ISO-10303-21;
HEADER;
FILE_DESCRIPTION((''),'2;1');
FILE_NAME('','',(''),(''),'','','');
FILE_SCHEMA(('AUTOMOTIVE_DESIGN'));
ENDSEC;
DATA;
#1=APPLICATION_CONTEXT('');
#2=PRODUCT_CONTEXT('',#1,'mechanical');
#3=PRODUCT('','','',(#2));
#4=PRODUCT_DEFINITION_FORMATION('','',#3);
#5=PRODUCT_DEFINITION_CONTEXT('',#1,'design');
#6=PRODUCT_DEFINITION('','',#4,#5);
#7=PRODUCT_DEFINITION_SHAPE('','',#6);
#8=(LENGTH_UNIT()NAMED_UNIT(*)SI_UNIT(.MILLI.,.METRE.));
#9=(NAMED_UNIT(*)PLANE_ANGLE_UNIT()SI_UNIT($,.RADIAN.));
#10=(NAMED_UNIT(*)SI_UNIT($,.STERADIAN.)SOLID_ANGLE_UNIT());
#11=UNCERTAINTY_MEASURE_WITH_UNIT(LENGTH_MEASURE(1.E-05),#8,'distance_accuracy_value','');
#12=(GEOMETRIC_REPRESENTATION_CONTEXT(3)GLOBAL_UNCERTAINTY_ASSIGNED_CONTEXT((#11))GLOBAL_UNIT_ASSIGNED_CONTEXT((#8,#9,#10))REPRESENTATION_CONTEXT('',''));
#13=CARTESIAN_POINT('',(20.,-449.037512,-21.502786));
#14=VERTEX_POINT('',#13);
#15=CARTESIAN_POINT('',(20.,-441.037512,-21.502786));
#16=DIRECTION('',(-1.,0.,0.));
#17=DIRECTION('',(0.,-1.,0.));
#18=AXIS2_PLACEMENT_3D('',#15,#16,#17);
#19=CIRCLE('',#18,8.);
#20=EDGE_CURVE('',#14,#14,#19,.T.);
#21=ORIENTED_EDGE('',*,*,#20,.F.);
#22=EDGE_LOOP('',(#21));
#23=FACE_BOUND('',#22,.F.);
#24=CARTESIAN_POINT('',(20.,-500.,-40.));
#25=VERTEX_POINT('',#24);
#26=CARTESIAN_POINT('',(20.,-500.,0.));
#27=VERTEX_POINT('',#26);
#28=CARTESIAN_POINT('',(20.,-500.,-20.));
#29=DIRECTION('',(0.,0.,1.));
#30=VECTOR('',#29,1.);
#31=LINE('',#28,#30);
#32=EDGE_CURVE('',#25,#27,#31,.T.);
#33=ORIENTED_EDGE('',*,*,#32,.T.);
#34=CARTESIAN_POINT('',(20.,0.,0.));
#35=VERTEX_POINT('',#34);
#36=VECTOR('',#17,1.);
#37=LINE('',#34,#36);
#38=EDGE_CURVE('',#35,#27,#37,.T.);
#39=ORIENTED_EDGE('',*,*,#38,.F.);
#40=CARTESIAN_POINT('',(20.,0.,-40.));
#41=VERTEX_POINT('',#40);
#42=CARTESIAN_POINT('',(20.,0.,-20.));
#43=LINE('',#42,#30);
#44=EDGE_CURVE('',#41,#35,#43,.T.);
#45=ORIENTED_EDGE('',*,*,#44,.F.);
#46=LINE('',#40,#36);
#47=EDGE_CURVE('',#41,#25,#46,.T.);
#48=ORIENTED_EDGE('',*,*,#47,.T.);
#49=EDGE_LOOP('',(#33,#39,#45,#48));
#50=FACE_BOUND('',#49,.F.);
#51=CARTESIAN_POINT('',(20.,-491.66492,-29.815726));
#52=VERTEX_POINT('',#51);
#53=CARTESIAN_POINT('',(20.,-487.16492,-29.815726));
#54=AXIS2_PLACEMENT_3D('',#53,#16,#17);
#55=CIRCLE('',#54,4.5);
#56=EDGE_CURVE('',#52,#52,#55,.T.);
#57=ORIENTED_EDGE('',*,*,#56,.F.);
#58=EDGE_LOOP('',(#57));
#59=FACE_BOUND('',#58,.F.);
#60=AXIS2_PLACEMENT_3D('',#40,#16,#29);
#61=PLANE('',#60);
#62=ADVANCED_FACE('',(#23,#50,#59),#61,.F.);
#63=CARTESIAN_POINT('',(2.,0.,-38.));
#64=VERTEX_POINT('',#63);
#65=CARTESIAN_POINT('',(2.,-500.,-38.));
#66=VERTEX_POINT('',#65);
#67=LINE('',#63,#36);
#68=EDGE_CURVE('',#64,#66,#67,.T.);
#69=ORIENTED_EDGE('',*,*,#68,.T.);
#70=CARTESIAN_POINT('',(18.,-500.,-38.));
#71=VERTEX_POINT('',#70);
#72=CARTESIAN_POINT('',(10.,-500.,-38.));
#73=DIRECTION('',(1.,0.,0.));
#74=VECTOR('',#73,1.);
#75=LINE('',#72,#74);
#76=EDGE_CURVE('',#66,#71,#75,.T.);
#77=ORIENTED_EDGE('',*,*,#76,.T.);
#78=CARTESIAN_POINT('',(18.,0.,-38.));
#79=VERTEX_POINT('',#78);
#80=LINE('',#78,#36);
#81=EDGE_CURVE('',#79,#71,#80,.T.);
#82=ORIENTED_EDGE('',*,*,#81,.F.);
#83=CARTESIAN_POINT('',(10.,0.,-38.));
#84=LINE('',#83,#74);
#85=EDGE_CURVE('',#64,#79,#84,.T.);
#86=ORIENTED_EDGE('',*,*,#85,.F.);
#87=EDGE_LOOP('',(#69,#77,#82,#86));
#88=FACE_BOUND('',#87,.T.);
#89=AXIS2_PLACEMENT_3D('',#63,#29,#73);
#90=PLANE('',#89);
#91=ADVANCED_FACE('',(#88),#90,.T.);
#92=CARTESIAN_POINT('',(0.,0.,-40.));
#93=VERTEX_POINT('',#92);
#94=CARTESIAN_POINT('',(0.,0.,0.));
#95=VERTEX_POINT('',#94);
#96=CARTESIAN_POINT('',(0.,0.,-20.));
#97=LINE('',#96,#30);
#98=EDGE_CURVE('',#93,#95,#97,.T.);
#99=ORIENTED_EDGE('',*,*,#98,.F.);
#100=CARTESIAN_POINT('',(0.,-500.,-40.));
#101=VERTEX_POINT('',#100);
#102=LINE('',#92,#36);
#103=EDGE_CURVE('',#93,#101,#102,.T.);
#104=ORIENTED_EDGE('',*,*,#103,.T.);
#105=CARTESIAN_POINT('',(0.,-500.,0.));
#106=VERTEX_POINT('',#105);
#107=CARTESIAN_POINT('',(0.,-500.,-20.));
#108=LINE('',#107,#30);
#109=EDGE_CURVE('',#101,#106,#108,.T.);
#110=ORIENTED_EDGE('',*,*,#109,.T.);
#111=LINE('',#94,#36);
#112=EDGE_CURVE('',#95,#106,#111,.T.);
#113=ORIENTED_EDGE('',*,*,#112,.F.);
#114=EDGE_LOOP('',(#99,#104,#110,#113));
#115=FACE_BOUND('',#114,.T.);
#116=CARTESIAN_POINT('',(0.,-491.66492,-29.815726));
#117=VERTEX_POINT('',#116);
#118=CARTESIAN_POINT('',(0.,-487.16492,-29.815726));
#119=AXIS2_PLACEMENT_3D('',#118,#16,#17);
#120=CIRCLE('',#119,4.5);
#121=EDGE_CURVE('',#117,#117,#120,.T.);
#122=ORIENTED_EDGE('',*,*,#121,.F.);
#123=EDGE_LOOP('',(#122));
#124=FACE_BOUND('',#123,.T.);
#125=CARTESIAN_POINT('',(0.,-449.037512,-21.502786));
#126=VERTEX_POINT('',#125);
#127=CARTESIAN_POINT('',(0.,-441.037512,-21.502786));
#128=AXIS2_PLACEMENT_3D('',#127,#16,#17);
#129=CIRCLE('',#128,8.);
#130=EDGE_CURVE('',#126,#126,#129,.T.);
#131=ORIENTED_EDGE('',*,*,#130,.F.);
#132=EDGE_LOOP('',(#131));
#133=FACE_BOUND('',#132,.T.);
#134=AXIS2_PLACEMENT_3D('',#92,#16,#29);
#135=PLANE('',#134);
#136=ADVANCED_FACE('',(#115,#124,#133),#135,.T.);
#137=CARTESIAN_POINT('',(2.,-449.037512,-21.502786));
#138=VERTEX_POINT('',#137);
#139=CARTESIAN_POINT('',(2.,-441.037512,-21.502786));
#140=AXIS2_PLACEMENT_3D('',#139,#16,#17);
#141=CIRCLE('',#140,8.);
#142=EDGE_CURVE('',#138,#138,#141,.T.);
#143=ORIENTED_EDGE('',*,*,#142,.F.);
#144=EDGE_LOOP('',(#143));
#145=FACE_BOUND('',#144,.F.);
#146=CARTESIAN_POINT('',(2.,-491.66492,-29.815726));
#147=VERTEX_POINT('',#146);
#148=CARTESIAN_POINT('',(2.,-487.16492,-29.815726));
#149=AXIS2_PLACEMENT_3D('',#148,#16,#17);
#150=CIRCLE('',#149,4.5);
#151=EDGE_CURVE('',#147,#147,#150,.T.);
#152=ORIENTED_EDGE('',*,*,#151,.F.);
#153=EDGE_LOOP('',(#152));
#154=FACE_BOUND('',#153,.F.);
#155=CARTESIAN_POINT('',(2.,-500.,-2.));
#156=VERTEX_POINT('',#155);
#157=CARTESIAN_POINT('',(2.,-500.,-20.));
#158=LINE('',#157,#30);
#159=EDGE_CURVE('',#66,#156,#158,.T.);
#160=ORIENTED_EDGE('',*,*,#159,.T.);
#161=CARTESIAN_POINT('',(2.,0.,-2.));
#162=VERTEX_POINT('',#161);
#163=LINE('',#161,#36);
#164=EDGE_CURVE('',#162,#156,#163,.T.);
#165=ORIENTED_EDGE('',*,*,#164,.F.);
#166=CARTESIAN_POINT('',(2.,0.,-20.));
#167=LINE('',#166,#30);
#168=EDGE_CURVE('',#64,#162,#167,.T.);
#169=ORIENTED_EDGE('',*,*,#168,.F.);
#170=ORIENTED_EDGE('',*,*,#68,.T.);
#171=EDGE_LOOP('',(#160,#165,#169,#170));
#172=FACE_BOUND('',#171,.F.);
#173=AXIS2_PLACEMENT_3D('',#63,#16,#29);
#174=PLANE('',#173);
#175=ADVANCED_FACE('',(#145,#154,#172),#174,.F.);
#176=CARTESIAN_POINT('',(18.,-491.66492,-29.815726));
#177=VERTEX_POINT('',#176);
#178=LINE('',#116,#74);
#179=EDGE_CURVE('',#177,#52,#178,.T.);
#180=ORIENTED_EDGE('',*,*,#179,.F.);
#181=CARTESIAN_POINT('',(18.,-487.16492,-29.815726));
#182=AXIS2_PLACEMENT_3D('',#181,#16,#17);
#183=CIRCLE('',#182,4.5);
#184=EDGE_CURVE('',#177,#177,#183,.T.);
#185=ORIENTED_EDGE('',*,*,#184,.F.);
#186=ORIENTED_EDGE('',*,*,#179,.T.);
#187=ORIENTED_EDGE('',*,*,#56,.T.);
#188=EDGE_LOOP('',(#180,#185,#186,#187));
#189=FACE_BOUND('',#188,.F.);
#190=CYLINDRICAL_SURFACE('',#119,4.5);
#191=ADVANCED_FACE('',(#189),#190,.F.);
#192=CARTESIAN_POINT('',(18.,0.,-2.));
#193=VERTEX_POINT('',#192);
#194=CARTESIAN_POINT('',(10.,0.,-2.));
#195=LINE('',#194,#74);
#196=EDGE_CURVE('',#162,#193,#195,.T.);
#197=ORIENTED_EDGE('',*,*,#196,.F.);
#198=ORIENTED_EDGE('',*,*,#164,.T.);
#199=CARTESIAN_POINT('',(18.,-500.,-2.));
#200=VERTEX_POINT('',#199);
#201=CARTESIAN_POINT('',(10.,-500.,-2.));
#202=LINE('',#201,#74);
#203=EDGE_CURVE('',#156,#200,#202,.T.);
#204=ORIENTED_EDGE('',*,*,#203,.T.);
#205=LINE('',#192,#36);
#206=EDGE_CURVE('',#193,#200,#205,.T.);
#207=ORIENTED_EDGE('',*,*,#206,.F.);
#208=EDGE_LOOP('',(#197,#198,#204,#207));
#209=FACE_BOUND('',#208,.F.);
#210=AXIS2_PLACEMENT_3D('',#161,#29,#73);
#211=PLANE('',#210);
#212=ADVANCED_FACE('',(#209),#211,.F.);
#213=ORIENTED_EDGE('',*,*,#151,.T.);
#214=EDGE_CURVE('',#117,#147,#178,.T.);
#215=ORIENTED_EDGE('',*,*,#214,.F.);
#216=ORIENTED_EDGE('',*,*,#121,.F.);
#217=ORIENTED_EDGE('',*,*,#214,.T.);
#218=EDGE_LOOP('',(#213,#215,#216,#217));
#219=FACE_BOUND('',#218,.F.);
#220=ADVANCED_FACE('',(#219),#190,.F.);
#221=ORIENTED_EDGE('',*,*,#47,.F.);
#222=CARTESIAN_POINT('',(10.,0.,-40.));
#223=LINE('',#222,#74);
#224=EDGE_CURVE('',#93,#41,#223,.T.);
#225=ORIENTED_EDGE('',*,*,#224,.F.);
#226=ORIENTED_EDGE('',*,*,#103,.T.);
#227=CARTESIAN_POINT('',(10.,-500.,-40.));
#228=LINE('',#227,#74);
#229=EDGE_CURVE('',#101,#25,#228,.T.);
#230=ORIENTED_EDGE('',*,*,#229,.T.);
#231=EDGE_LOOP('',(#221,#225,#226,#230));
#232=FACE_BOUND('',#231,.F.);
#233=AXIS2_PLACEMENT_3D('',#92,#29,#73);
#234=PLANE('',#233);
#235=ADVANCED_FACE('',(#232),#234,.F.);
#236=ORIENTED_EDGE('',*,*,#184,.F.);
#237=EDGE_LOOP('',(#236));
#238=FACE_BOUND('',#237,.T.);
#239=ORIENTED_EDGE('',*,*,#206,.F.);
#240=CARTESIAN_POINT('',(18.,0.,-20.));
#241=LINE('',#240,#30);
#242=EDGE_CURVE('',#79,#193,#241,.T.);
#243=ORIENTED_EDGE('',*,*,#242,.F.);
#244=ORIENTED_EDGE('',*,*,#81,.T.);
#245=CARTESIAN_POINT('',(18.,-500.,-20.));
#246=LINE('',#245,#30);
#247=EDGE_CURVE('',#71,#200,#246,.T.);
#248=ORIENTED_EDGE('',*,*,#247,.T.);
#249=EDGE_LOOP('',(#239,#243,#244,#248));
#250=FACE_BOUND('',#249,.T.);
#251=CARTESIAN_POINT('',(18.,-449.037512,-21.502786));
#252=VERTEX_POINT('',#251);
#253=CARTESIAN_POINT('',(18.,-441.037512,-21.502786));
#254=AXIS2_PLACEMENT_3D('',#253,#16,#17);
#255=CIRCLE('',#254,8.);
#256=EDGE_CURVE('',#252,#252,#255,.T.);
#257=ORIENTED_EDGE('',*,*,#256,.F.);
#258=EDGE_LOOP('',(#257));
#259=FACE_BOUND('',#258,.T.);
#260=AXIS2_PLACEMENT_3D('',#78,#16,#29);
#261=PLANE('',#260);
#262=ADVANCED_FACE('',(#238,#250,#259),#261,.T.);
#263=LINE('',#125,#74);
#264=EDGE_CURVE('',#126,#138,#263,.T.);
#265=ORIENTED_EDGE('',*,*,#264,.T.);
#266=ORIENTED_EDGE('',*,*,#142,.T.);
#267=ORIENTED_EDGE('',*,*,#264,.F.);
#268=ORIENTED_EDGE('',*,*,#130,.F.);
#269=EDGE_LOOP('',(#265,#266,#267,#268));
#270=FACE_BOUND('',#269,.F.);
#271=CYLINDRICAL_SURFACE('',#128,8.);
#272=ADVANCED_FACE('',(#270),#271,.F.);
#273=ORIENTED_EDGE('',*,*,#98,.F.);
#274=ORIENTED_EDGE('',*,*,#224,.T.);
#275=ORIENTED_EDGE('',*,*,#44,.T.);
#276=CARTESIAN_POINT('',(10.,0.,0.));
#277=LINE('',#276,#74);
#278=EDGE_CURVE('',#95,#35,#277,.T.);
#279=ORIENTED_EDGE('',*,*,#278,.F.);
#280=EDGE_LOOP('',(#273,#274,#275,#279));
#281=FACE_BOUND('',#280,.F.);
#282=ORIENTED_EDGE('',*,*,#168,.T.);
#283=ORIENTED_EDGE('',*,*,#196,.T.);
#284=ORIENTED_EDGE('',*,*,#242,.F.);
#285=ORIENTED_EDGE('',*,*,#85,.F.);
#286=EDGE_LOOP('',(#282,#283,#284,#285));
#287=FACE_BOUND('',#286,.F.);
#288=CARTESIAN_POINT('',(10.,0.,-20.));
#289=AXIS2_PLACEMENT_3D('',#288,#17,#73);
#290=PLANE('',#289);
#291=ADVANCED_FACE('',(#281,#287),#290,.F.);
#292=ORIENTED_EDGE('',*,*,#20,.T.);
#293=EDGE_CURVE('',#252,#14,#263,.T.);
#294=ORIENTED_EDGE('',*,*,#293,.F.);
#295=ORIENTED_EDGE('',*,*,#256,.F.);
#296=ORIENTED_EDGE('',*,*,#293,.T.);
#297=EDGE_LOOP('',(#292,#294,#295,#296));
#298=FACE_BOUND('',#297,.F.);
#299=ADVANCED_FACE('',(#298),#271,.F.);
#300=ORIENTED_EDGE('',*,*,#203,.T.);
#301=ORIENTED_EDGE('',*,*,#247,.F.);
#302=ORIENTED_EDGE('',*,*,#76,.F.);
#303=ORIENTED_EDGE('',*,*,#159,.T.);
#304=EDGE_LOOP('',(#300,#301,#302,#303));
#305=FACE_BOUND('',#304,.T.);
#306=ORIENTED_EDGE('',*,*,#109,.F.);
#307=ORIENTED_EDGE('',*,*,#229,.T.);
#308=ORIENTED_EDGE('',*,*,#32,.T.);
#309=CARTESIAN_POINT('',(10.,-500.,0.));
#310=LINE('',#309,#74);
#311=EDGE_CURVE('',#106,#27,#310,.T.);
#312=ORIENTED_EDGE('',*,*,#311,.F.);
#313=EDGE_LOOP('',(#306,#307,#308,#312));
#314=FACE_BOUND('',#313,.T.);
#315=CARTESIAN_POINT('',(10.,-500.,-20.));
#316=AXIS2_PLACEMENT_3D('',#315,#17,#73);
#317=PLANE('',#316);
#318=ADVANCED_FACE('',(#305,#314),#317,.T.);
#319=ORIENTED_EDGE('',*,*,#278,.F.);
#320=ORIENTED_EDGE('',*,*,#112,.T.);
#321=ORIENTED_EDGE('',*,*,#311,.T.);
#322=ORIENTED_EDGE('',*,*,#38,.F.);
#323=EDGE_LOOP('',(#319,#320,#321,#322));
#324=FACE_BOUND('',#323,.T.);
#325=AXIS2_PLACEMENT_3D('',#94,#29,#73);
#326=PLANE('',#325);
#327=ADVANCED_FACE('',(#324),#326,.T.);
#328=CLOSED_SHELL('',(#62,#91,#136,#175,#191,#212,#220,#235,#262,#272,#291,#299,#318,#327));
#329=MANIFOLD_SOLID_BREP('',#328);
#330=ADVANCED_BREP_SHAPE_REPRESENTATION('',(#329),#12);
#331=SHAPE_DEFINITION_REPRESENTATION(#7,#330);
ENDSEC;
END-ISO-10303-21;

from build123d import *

# Parameters (mm, degrees)
F0_W     = 20
F0_H     = 40
F0_W_2   = 16
F0_H_2   = 36
F1_DEPTH = 500
F2_R     = 4.5
F2_R_2   = 8
F3_DEPTH = 25


with BuildPart() as f1:
    # F0 (on Front) → F1 (new body)
    with BuildSketch(Plane.XZ):
        with Locations((10, -20)):
            Rectangle(F0_W, F0_H)
        with Locations((10, -20)):
            Rectangle(F0_W_2, F0_H_2, mode=Mode.SUBTRACT)
    extrude(amount=F1_DEPTH)

    # F2 (on face) → F3 (cut)
    with BuildSketch(Plane(origin=(0, 0, 0), x_dir=(0, -1, 0), z_dir=(-1, 0, 0))):
        with Locations((487.16492, -29.815726)):
            Circle(F2_R)
        with Locations((441.037512, -21.502786)):
            Circle(F2_R_2)
    extrude(amount=-F3_DEPTH, mode=Mode.SUBTRACT)


solid = f1.part
